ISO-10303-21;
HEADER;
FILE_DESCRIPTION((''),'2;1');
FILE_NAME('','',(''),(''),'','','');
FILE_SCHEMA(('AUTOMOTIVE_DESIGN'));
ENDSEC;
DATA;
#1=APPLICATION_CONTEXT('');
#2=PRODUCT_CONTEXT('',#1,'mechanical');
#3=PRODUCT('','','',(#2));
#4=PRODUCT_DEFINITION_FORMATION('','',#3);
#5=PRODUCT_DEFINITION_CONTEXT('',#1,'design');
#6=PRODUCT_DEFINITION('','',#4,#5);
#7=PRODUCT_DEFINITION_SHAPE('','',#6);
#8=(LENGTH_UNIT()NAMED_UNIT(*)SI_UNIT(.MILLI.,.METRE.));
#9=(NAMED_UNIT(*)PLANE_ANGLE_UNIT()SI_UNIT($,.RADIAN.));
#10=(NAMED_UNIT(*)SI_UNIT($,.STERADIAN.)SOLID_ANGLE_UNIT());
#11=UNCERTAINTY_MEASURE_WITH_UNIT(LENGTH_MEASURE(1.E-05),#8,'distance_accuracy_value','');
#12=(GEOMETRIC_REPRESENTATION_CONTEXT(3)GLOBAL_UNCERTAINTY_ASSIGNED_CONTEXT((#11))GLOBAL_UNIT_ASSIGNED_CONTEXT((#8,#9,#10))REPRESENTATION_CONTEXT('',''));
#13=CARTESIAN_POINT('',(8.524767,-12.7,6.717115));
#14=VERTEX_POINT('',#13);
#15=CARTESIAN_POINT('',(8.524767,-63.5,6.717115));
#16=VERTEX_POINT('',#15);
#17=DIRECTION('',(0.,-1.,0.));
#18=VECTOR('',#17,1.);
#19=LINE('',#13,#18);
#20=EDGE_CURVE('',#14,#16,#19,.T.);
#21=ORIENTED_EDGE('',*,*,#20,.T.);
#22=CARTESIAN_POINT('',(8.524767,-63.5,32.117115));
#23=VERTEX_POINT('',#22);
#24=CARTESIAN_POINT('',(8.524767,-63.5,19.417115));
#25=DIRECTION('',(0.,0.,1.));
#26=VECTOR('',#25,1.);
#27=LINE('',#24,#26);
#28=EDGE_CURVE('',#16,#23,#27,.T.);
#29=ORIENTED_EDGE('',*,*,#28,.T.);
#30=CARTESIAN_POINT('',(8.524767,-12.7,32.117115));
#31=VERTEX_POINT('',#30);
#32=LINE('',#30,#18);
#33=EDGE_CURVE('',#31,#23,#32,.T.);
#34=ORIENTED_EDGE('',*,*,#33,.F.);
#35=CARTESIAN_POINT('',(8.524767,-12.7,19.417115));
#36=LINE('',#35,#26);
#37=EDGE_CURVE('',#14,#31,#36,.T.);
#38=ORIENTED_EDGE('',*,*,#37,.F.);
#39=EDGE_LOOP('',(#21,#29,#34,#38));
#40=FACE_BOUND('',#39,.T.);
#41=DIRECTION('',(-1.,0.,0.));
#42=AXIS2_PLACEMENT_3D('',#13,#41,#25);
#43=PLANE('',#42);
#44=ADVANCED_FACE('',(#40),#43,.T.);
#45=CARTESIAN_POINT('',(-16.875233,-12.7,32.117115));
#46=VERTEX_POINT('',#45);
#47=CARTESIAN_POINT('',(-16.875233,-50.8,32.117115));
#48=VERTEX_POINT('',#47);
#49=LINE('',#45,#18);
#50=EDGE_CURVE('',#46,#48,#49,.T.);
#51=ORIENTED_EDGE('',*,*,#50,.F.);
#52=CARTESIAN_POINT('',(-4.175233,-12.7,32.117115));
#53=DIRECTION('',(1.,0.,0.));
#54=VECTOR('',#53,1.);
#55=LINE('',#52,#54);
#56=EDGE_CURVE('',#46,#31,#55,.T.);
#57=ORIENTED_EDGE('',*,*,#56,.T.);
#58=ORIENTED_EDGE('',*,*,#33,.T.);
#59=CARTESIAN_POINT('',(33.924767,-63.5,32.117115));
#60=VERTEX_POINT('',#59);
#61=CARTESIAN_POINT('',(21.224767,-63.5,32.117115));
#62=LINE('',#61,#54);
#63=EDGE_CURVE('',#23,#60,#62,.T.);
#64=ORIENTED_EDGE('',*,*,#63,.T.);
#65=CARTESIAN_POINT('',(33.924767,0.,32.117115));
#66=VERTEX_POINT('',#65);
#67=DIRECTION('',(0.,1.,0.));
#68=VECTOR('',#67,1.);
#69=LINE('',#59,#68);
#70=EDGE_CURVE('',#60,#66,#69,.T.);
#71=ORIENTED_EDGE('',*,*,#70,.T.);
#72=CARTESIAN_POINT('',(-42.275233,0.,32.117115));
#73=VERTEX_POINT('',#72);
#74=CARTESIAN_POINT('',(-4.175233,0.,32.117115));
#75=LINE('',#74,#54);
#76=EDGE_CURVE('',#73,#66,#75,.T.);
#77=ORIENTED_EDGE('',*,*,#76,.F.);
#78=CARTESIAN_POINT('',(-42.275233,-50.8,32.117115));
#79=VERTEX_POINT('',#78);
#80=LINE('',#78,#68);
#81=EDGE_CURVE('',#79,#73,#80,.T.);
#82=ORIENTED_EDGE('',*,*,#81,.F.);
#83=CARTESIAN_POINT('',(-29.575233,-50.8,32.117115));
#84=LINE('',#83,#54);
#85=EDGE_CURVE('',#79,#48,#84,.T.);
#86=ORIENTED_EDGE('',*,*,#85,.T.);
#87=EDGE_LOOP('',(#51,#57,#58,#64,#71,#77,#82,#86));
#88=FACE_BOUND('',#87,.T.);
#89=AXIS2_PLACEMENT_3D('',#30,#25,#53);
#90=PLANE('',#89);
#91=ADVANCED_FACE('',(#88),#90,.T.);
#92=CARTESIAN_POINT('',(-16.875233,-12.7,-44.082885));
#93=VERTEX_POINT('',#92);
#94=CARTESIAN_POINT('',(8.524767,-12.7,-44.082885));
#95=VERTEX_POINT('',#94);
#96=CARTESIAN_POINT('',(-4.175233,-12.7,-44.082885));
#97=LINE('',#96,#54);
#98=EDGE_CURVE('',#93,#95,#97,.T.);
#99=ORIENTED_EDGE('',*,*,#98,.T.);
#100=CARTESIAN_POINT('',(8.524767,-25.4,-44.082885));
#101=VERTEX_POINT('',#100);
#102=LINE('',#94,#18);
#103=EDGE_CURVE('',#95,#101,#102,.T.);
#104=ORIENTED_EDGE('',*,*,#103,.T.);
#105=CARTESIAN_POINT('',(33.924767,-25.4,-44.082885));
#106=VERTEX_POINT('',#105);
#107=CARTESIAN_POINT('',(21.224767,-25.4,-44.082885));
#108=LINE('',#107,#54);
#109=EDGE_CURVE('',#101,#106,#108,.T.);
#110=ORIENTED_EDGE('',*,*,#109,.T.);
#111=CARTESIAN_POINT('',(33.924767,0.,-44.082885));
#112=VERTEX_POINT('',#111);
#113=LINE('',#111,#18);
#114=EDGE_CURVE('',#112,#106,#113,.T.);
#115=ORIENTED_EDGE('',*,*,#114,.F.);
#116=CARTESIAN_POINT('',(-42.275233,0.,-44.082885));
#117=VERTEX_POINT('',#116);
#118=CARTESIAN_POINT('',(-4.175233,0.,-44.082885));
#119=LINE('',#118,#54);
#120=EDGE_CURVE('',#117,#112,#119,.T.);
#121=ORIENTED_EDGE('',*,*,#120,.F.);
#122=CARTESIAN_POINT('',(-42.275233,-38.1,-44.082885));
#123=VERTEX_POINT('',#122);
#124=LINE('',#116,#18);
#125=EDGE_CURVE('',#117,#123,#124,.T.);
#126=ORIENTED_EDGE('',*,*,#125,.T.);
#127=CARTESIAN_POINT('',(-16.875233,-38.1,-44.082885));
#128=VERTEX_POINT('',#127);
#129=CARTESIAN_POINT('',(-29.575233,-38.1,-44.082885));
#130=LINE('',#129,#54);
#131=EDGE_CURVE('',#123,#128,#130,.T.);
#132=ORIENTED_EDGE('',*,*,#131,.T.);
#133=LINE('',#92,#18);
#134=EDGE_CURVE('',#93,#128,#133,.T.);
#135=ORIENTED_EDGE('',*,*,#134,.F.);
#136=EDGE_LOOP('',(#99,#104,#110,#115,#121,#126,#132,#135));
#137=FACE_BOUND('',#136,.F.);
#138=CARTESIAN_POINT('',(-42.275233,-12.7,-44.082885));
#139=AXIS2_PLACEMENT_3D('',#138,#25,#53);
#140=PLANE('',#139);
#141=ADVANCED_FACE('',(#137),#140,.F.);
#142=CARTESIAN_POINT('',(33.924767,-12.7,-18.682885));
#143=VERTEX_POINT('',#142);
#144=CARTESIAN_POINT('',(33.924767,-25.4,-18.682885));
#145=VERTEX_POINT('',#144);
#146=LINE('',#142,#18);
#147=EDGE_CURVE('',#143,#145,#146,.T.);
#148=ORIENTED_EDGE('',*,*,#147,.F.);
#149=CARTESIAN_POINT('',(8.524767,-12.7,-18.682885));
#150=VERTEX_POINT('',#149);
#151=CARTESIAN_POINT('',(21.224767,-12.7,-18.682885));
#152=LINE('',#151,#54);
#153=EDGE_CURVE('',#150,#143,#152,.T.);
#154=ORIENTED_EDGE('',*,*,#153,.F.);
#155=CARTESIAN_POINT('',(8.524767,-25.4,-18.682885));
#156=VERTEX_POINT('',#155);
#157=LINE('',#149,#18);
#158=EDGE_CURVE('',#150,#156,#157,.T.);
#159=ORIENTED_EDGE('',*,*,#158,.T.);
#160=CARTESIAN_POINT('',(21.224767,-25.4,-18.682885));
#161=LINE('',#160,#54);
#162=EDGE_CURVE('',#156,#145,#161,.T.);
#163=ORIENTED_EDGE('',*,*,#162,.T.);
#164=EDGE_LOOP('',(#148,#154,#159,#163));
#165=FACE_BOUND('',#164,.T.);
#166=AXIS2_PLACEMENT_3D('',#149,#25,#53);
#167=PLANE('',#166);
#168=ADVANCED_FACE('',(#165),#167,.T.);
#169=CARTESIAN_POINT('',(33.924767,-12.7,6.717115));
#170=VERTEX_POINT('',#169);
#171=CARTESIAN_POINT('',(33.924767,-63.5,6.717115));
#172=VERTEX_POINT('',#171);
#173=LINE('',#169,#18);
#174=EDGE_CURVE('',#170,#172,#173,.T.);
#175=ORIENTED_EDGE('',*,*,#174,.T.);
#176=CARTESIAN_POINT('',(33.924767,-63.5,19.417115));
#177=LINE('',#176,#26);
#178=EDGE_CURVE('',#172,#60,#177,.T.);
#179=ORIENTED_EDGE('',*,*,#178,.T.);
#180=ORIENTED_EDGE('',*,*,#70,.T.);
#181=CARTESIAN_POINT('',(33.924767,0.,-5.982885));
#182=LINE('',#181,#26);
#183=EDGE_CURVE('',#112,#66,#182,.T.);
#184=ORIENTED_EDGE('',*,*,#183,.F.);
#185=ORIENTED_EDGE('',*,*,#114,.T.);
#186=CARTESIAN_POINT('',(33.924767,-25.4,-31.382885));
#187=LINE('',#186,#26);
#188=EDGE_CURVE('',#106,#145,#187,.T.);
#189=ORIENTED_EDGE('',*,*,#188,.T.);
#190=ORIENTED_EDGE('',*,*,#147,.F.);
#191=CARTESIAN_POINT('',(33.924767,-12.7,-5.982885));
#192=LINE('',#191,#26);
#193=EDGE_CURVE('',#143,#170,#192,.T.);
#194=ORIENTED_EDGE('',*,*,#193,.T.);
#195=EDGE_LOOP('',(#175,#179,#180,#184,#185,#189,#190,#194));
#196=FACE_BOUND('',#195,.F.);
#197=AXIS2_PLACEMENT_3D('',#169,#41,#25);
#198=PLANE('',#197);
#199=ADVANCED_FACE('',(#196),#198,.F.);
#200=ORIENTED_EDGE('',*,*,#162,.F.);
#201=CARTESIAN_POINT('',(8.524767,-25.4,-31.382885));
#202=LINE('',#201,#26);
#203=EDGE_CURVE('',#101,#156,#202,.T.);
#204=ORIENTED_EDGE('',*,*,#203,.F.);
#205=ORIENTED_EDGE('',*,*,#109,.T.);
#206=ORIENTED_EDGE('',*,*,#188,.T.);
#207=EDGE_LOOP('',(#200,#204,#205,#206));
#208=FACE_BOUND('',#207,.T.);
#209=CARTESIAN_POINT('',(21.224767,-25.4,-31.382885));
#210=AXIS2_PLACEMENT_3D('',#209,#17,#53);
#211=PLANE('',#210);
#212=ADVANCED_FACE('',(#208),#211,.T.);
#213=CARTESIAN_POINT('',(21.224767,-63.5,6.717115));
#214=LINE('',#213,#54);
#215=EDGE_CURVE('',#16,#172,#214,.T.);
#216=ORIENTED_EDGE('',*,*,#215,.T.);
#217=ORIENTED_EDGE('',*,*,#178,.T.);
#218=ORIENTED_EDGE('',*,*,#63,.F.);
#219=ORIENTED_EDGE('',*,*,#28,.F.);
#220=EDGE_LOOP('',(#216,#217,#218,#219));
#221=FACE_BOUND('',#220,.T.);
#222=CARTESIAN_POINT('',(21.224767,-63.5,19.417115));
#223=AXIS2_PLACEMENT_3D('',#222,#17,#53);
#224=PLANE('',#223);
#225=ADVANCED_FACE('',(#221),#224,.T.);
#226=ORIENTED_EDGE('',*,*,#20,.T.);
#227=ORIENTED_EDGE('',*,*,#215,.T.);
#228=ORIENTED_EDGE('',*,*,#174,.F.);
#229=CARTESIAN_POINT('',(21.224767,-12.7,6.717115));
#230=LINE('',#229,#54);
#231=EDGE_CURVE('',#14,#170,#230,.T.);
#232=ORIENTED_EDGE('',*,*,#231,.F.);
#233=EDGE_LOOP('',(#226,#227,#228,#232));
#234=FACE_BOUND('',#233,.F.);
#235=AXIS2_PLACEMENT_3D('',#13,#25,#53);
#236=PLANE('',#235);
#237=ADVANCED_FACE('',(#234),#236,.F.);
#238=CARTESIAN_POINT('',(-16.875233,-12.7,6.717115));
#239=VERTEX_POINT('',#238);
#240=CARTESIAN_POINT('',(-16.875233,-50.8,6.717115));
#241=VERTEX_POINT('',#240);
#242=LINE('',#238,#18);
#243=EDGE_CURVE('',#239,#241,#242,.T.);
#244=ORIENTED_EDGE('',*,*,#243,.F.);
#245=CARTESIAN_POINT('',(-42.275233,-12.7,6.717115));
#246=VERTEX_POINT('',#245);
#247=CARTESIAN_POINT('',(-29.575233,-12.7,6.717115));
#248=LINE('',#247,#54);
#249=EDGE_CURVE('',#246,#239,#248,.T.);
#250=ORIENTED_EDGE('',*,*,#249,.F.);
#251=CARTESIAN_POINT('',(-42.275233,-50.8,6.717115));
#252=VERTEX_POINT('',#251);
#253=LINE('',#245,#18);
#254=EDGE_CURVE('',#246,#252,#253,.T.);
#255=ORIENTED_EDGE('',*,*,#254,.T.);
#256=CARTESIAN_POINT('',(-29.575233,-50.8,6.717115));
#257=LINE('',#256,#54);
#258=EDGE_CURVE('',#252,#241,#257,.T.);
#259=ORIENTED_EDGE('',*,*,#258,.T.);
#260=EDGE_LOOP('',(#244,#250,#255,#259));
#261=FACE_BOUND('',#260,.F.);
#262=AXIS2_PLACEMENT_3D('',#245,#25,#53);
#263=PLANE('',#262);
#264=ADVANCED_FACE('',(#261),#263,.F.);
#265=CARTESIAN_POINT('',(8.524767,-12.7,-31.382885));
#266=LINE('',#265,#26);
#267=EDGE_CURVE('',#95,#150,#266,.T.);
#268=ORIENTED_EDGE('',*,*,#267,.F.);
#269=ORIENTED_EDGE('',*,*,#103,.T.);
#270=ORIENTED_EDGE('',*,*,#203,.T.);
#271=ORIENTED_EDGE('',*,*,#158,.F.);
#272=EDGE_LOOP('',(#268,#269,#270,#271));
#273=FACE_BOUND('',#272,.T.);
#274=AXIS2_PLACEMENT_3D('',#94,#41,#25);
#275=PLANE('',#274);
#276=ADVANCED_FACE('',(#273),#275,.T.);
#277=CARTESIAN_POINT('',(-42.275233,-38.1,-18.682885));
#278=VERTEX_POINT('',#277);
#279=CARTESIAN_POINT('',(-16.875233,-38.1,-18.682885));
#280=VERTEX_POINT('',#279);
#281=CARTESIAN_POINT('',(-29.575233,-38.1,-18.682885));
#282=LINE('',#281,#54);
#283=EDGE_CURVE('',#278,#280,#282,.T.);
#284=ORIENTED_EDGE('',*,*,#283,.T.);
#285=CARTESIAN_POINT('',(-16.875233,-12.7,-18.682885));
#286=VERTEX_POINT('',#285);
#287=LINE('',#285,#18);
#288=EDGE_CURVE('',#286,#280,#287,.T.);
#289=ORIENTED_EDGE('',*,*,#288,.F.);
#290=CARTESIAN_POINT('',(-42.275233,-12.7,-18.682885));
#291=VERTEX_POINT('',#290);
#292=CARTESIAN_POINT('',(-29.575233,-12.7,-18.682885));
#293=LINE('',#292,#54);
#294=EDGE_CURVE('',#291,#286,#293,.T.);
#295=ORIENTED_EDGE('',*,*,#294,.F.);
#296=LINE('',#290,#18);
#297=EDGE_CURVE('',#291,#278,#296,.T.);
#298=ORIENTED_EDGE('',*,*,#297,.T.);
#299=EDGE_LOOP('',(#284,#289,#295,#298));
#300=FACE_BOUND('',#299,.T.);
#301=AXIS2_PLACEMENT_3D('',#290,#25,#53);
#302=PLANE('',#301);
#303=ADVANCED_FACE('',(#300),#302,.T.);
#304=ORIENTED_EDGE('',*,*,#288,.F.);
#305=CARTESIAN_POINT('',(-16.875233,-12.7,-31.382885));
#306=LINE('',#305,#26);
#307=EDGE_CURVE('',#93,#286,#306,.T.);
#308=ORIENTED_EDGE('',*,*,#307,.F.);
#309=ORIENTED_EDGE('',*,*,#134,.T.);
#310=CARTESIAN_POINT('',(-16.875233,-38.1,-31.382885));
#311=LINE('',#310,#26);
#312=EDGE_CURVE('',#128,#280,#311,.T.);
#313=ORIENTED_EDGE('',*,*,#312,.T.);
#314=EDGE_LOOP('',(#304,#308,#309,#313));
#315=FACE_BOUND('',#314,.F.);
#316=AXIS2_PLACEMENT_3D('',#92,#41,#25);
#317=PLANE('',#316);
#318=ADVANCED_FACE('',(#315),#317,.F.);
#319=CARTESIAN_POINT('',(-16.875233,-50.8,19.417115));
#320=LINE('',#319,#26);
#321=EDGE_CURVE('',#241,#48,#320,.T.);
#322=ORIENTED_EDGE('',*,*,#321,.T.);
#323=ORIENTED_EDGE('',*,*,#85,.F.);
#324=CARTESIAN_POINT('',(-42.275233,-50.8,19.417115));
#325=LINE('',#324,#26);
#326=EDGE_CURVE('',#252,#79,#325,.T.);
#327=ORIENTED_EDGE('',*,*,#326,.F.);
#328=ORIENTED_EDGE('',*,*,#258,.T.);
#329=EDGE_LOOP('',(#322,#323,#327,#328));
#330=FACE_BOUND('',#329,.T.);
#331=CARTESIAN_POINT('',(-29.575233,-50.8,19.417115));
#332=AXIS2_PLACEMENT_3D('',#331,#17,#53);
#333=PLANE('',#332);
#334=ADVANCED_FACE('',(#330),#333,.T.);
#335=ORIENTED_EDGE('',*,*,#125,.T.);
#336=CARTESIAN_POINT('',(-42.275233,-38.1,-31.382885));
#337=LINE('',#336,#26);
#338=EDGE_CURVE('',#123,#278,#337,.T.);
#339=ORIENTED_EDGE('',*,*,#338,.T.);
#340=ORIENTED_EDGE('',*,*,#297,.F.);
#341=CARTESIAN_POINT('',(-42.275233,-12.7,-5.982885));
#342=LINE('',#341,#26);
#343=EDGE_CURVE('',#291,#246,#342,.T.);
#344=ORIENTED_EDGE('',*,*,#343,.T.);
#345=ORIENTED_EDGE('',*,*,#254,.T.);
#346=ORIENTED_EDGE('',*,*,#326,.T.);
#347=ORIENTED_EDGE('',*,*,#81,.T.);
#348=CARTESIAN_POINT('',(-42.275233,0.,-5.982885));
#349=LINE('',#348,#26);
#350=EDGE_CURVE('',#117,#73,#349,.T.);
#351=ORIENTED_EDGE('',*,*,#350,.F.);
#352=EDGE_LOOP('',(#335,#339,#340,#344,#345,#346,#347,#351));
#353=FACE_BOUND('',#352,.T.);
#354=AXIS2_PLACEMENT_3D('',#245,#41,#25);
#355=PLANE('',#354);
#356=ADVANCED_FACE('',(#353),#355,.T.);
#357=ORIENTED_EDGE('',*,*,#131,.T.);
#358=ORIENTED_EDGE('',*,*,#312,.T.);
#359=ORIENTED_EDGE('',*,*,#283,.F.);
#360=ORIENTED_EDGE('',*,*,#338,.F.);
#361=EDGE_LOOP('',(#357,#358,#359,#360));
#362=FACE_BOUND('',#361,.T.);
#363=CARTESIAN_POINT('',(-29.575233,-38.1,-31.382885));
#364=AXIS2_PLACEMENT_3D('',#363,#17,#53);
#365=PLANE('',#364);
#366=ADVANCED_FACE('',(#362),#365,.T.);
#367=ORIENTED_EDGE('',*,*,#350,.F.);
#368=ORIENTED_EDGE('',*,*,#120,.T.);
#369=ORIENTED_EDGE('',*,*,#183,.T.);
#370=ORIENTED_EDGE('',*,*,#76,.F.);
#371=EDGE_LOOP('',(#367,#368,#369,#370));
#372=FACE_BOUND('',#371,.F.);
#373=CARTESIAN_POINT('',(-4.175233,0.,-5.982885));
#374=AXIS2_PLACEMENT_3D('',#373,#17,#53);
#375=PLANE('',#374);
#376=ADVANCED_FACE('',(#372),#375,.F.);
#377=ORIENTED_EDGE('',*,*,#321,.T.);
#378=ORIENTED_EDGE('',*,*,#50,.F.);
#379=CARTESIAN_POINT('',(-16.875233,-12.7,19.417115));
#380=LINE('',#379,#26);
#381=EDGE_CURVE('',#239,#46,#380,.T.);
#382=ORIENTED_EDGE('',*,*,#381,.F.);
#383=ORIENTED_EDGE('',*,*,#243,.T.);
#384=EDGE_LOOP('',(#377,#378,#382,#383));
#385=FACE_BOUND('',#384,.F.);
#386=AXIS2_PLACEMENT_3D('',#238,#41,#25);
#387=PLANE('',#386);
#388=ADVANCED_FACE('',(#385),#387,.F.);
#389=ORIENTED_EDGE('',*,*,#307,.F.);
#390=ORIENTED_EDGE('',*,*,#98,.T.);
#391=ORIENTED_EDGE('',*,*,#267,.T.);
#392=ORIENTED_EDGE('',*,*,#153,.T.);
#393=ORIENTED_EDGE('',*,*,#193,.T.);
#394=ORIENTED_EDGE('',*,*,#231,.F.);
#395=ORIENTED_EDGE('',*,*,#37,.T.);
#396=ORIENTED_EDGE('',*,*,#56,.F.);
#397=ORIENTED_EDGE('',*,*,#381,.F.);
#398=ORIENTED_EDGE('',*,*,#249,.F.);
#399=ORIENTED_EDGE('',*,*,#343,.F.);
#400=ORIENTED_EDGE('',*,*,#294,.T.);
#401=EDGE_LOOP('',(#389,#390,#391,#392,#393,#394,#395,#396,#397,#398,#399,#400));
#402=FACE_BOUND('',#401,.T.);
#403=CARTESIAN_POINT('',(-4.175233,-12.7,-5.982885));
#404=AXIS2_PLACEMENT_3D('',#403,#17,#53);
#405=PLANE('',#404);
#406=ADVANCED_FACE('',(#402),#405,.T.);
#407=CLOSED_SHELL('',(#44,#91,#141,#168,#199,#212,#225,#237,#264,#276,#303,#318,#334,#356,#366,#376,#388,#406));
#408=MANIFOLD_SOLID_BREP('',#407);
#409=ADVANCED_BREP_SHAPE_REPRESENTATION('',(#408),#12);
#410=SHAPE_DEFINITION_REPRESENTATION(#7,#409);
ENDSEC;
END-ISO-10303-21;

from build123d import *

# Parameters (mm, degrees)
F0_W     = 76.2
F0_H     = 76.2
F1_DEPTH = 12.7
F2_W     = 25.4
F2_H     = 25.4
F3_DEPTH = 12.7
F4_W     = 25.4
F4_H     = 25.4
F5_DEPTH = 25.4
F6_W     = 25.4
F6_H     = 25.4
F7_DEPTH = 38.1
F8_W     = 25.4
F8_H     = 25.4
F9_DEPTH = 50.8


with BuildPart() as f1:
    # F0 (on Front) → F1 (new body)
    with BuildSketch(Plane.XZ):
        with Locations((-4.175233, -5.982885)):
            Rectangle(F0_W, F0_H)
    extrude(amount=F1_DEPTH)

    # F2 (on face) → F3 (join)
    with BuildSketch(Plane.XZ.offset(12.7)):
        with Locations((21.224767, -31.382885)):
            Rectangle(F2_W, F2_H)
    extrude(amount=F3_DEPTH)

    # F4 (on face) → F5 (join)
    with BuildSketch(Plane.XZ.offset(12.7)):
        with Locations((-29.575233, -31.382885)):
            Rectangle(F4_W, F4_H)
    extrude(amount=F5_DEPTH)

    # F6 (on face) → F7 (join)
    with BuildSketch(Plane.XZ.offset(12.7)):
        with Locations((-29.575233, 19.417115)):
            Rectangle(F6_W, F6_H)
    extrude(amount=F7_DEPTH)

    # F8 (on face) → F9 (join)
    with BuildSketch(Plane.XZ.offset(12.7)):
        with Locations((21.224767, 19.417115)):
            Rectangle(F8_W, F8_H)
    extrude(amount=F9_DEPTH)


solid = f1.part
